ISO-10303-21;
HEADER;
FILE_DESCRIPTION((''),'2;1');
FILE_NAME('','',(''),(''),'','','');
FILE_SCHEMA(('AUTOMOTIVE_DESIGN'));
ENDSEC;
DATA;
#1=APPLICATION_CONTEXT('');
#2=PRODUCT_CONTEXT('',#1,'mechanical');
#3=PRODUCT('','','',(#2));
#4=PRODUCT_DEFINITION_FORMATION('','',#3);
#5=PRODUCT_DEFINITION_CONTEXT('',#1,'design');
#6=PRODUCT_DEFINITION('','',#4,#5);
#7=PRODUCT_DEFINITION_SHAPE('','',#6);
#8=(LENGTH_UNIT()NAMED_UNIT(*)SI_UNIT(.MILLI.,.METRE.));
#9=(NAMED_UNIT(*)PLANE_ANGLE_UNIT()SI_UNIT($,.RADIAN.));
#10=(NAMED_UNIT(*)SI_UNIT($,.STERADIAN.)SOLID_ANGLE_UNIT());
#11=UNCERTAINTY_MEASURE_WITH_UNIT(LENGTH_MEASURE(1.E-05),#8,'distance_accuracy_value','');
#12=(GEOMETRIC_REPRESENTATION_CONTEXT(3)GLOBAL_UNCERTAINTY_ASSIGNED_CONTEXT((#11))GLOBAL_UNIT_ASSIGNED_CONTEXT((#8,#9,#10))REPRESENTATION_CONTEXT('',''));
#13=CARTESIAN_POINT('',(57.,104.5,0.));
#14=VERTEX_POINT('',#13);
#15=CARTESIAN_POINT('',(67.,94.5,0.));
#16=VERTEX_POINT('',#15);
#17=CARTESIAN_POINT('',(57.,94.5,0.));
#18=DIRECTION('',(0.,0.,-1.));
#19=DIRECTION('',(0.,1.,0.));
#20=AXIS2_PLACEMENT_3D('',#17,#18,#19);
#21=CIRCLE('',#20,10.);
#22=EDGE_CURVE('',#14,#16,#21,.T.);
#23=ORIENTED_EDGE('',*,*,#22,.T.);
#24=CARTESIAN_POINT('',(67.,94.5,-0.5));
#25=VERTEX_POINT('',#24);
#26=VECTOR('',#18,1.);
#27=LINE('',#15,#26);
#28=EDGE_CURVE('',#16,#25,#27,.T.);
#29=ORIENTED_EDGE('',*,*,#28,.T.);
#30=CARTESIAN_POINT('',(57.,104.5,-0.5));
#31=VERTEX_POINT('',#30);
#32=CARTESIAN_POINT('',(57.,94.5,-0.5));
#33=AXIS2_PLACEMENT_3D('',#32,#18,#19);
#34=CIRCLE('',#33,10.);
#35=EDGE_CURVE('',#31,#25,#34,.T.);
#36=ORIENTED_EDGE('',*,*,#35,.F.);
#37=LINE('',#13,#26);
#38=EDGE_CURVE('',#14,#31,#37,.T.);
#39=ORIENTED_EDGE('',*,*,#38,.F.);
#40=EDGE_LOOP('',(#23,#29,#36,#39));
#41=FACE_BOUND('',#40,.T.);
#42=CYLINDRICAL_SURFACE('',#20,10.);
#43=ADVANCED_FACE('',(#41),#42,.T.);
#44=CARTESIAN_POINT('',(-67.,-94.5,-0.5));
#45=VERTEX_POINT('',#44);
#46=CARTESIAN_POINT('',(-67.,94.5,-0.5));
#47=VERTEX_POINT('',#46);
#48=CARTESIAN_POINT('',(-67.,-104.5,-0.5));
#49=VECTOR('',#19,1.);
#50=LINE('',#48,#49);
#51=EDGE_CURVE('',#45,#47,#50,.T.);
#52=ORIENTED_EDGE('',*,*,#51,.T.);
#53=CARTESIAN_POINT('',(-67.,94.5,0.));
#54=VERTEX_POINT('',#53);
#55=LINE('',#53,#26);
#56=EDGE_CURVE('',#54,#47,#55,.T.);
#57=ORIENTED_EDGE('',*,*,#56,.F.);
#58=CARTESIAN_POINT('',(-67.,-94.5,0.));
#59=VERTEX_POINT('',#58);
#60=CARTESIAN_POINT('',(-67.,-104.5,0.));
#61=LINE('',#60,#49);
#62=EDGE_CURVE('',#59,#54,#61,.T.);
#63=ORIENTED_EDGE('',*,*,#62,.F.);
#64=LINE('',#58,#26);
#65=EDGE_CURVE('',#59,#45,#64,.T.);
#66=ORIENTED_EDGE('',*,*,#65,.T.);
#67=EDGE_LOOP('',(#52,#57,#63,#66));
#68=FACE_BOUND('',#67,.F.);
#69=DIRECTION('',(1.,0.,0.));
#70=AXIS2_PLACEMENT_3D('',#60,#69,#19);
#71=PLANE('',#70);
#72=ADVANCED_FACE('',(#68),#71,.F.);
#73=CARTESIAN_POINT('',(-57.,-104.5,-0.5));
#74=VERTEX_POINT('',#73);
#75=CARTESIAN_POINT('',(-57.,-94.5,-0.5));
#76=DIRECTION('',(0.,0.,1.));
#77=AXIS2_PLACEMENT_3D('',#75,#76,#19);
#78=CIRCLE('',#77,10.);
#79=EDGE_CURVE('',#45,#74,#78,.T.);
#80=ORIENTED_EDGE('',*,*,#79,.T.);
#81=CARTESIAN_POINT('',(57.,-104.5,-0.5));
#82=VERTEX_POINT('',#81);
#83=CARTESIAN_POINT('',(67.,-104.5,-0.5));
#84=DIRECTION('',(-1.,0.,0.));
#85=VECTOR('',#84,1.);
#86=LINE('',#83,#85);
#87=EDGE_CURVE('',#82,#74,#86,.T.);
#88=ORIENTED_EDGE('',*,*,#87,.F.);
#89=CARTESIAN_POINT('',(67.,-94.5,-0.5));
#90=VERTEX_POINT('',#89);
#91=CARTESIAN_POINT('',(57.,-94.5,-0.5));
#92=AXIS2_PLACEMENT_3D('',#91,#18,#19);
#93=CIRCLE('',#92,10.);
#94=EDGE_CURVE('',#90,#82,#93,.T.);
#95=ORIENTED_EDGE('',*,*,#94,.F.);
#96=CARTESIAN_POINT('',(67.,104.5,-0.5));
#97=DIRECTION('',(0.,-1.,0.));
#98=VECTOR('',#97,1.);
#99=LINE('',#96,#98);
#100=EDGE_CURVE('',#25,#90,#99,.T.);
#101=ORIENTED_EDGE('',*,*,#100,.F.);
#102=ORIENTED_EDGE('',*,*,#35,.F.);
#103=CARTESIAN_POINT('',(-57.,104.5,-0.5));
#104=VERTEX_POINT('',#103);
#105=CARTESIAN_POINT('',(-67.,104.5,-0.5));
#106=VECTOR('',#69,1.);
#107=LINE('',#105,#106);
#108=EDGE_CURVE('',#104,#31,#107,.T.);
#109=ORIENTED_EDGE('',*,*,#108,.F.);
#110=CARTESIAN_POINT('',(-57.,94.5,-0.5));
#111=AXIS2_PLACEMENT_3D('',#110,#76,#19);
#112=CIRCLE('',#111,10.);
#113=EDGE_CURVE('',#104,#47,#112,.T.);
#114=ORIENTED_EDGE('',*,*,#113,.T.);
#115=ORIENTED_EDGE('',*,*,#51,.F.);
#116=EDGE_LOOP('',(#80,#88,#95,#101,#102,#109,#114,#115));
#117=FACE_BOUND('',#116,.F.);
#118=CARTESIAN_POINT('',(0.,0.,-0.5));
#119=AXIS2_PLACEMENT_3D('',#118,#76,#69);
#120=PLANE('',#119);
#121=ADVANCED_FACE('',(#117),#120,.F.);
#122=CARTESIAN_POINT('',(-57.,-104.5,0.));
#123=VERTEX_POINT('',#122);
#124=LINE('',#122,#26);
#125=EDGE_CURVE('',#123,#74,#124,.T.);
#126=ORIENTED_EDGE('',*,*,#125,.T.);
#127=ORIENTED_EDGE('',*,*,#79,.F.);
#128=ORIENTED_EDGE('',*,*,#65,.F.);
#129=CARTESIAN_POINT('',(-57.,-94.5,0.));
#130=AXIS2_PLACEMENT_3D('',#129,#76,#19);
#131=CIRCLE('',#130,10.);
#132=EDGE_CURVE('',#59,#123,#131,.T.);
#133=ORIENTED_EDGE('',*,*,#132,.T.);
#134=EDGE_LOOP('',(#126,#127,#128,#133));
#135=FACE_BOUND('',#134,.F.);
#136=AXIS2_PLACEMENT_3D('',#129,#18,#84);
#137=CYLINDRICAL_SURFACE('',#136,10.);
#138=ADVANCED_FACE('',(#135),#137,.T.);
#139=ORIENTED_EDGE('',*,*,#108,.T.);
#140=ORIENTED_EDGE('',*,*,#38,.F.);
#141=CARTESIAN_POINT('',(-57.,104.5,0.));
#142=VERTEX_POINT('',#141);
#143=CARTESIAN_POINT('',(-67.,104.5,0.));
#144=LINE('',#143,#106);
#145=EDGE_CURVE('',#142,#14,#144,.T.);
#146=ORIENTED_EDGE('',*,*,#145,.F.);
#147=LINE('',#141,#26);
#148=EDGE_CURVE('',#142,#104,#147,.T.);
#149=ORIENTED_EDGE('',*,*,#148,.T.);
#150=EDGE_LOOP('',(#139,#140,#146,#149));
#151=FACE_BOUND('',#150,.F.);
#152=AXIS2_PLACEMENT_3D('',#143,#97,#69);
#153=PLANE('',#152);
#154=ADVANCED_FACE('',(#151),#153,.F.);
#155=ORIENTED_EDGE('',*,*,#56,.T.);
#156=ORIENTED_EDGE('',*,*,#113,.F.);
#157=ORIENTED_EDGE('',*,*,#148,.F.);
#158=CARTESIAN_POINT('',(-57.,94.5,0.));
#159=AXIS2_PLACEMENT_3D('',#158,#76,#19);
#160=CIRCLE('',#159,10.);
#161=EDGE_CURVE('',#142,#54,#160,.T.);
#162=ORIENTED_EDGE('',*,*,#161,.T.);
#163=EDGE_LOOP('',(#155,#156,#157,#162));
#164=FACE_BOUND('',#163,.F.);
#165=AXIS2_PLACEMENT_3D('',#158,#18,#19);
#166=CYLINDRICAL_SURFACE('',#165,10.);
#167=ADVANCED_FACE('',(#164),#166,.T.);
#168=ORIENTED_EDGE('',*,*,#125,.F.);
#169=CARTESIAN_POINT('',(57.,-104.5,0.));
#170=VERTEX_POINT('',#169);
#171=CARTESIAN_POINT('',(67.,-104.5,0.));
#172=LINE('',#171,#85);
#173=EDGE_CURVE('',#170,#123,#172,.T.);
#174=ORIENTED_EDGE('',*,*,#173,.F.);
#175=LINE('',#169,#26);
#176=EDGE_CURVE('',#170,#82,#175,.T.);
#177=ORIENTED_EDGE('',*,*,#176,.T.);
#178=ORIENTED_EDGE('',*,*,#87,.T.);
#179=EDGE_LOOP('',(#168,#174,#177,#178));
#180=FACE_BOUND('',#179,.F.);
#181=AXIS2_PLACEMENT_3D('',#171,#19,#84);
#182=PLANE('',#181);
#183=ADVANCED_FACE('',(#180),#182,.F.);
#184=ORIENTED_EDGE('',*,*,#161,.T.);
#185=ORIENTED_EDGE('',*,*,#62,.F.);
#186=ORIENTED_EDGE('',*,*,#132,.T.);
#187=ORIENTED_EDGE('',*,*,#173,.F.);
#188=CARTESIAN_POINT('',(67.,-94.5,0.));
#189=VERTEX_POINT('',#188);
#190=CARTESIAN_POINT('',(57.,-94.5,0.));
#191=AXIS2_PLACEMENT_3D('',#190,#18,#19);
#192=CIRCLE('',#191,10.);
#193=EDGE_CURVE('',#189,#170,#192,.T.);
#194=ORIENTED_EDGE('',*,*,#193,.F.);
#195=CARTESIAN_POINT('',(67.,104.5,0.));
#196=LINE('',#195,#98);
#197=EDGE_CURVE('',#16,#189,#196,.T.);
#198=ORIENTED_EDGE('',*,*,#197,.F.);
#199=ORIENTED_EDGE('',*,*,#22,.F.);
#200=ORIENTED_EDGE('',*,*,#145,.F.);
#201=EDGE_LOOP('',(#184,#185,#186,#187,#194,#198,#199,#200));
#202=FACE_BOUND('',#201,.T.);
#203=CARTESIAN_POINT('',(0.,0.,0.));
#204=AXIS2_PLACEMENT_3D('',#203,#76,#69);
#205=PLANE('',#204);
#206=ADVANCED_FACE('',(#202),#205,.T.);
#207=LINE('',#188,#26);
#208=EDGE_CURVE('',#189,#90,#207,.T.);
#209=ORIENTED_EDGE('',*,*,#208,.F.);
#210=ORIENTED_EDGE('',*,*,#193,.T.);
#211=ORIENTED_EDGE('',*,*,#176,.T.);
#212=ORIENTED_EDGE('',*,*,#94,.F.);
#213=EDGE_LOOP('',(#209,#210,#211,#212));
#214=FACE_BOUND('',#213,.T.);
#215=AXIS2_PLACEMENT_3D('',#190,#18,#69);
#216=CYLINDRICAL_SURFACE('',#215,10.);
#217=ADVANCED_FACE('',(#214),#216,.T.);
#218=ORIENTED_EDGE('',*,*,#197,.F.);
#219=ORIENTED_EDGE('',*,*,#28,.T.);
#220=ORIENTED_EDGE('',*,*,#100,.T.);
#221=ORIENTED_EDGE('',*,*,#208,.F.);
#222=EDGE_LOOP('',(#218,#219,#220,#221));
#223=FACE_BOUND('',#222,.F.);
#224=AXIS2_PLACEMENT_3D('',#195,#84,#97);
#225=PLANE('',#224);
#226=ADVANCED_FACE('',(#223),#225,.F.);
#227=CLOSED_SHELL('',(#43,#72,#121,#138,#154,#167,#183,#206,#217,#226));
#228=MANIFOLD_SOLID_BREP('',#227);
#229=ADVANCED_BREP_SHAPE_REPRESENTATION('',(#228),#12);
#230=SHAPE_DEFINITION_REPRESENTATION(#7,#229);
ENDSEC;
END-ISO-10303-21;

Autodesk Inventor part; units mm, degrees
ref_plane "YZ Plane" through (0, 0, 0) normal (1, 0, 0) x (0, 1, 0)
ref_plane "XZ Plane" through (0, 0, 0) normal (0, 1, 0) x (-1, 0, 0)
ref_plane "XY Plane" through (0, 0, 0) normal (0, 0, 1) x (1, 0, 0)
sketch "Sketch1" plane through (0, 0, 0) normal (0, 0, 1) x (1, 0, 0)
  line L0 (-67, 104.5) -> (67, 104.5)
  line L1 (67, 104.5) -> (67, -104.5)
  line L2 (67, -104.5) -> (-67, -104.5)
  line L3 (-67, -104.5) -> (-67, 104.5)
  line L4 (66, 103.5) -> (-66, 103.5)
  line L5 (-66, 103.5) -> (-66, -103.5)
  line L6 (-66, -103.5) -> (66, -103.5)
  line L7 (66, -103.5) -> (66, 103.5)
  point P0 (0, 0)
  point P1 (-67, 0)
  point P2 (0, 104.5)
  dimension "d0" = 134
  dimension "d1" = 209
  dimension "d2" = 1
extrude "Extrusion1" add sketch "Sketch1" against normal blind 0.5 contours L0 L1 L2 L3 | L7 L6 L5 L4
fillet "Fillet1" radius 10 4 edges at (-67, 104.5, -0.25) (67, 104.5, -0.25) (67, -104.5, -0.25) (-67, -104.5, -0.25)
properties part number "FSI Plate" material "Aluminum 6061"
